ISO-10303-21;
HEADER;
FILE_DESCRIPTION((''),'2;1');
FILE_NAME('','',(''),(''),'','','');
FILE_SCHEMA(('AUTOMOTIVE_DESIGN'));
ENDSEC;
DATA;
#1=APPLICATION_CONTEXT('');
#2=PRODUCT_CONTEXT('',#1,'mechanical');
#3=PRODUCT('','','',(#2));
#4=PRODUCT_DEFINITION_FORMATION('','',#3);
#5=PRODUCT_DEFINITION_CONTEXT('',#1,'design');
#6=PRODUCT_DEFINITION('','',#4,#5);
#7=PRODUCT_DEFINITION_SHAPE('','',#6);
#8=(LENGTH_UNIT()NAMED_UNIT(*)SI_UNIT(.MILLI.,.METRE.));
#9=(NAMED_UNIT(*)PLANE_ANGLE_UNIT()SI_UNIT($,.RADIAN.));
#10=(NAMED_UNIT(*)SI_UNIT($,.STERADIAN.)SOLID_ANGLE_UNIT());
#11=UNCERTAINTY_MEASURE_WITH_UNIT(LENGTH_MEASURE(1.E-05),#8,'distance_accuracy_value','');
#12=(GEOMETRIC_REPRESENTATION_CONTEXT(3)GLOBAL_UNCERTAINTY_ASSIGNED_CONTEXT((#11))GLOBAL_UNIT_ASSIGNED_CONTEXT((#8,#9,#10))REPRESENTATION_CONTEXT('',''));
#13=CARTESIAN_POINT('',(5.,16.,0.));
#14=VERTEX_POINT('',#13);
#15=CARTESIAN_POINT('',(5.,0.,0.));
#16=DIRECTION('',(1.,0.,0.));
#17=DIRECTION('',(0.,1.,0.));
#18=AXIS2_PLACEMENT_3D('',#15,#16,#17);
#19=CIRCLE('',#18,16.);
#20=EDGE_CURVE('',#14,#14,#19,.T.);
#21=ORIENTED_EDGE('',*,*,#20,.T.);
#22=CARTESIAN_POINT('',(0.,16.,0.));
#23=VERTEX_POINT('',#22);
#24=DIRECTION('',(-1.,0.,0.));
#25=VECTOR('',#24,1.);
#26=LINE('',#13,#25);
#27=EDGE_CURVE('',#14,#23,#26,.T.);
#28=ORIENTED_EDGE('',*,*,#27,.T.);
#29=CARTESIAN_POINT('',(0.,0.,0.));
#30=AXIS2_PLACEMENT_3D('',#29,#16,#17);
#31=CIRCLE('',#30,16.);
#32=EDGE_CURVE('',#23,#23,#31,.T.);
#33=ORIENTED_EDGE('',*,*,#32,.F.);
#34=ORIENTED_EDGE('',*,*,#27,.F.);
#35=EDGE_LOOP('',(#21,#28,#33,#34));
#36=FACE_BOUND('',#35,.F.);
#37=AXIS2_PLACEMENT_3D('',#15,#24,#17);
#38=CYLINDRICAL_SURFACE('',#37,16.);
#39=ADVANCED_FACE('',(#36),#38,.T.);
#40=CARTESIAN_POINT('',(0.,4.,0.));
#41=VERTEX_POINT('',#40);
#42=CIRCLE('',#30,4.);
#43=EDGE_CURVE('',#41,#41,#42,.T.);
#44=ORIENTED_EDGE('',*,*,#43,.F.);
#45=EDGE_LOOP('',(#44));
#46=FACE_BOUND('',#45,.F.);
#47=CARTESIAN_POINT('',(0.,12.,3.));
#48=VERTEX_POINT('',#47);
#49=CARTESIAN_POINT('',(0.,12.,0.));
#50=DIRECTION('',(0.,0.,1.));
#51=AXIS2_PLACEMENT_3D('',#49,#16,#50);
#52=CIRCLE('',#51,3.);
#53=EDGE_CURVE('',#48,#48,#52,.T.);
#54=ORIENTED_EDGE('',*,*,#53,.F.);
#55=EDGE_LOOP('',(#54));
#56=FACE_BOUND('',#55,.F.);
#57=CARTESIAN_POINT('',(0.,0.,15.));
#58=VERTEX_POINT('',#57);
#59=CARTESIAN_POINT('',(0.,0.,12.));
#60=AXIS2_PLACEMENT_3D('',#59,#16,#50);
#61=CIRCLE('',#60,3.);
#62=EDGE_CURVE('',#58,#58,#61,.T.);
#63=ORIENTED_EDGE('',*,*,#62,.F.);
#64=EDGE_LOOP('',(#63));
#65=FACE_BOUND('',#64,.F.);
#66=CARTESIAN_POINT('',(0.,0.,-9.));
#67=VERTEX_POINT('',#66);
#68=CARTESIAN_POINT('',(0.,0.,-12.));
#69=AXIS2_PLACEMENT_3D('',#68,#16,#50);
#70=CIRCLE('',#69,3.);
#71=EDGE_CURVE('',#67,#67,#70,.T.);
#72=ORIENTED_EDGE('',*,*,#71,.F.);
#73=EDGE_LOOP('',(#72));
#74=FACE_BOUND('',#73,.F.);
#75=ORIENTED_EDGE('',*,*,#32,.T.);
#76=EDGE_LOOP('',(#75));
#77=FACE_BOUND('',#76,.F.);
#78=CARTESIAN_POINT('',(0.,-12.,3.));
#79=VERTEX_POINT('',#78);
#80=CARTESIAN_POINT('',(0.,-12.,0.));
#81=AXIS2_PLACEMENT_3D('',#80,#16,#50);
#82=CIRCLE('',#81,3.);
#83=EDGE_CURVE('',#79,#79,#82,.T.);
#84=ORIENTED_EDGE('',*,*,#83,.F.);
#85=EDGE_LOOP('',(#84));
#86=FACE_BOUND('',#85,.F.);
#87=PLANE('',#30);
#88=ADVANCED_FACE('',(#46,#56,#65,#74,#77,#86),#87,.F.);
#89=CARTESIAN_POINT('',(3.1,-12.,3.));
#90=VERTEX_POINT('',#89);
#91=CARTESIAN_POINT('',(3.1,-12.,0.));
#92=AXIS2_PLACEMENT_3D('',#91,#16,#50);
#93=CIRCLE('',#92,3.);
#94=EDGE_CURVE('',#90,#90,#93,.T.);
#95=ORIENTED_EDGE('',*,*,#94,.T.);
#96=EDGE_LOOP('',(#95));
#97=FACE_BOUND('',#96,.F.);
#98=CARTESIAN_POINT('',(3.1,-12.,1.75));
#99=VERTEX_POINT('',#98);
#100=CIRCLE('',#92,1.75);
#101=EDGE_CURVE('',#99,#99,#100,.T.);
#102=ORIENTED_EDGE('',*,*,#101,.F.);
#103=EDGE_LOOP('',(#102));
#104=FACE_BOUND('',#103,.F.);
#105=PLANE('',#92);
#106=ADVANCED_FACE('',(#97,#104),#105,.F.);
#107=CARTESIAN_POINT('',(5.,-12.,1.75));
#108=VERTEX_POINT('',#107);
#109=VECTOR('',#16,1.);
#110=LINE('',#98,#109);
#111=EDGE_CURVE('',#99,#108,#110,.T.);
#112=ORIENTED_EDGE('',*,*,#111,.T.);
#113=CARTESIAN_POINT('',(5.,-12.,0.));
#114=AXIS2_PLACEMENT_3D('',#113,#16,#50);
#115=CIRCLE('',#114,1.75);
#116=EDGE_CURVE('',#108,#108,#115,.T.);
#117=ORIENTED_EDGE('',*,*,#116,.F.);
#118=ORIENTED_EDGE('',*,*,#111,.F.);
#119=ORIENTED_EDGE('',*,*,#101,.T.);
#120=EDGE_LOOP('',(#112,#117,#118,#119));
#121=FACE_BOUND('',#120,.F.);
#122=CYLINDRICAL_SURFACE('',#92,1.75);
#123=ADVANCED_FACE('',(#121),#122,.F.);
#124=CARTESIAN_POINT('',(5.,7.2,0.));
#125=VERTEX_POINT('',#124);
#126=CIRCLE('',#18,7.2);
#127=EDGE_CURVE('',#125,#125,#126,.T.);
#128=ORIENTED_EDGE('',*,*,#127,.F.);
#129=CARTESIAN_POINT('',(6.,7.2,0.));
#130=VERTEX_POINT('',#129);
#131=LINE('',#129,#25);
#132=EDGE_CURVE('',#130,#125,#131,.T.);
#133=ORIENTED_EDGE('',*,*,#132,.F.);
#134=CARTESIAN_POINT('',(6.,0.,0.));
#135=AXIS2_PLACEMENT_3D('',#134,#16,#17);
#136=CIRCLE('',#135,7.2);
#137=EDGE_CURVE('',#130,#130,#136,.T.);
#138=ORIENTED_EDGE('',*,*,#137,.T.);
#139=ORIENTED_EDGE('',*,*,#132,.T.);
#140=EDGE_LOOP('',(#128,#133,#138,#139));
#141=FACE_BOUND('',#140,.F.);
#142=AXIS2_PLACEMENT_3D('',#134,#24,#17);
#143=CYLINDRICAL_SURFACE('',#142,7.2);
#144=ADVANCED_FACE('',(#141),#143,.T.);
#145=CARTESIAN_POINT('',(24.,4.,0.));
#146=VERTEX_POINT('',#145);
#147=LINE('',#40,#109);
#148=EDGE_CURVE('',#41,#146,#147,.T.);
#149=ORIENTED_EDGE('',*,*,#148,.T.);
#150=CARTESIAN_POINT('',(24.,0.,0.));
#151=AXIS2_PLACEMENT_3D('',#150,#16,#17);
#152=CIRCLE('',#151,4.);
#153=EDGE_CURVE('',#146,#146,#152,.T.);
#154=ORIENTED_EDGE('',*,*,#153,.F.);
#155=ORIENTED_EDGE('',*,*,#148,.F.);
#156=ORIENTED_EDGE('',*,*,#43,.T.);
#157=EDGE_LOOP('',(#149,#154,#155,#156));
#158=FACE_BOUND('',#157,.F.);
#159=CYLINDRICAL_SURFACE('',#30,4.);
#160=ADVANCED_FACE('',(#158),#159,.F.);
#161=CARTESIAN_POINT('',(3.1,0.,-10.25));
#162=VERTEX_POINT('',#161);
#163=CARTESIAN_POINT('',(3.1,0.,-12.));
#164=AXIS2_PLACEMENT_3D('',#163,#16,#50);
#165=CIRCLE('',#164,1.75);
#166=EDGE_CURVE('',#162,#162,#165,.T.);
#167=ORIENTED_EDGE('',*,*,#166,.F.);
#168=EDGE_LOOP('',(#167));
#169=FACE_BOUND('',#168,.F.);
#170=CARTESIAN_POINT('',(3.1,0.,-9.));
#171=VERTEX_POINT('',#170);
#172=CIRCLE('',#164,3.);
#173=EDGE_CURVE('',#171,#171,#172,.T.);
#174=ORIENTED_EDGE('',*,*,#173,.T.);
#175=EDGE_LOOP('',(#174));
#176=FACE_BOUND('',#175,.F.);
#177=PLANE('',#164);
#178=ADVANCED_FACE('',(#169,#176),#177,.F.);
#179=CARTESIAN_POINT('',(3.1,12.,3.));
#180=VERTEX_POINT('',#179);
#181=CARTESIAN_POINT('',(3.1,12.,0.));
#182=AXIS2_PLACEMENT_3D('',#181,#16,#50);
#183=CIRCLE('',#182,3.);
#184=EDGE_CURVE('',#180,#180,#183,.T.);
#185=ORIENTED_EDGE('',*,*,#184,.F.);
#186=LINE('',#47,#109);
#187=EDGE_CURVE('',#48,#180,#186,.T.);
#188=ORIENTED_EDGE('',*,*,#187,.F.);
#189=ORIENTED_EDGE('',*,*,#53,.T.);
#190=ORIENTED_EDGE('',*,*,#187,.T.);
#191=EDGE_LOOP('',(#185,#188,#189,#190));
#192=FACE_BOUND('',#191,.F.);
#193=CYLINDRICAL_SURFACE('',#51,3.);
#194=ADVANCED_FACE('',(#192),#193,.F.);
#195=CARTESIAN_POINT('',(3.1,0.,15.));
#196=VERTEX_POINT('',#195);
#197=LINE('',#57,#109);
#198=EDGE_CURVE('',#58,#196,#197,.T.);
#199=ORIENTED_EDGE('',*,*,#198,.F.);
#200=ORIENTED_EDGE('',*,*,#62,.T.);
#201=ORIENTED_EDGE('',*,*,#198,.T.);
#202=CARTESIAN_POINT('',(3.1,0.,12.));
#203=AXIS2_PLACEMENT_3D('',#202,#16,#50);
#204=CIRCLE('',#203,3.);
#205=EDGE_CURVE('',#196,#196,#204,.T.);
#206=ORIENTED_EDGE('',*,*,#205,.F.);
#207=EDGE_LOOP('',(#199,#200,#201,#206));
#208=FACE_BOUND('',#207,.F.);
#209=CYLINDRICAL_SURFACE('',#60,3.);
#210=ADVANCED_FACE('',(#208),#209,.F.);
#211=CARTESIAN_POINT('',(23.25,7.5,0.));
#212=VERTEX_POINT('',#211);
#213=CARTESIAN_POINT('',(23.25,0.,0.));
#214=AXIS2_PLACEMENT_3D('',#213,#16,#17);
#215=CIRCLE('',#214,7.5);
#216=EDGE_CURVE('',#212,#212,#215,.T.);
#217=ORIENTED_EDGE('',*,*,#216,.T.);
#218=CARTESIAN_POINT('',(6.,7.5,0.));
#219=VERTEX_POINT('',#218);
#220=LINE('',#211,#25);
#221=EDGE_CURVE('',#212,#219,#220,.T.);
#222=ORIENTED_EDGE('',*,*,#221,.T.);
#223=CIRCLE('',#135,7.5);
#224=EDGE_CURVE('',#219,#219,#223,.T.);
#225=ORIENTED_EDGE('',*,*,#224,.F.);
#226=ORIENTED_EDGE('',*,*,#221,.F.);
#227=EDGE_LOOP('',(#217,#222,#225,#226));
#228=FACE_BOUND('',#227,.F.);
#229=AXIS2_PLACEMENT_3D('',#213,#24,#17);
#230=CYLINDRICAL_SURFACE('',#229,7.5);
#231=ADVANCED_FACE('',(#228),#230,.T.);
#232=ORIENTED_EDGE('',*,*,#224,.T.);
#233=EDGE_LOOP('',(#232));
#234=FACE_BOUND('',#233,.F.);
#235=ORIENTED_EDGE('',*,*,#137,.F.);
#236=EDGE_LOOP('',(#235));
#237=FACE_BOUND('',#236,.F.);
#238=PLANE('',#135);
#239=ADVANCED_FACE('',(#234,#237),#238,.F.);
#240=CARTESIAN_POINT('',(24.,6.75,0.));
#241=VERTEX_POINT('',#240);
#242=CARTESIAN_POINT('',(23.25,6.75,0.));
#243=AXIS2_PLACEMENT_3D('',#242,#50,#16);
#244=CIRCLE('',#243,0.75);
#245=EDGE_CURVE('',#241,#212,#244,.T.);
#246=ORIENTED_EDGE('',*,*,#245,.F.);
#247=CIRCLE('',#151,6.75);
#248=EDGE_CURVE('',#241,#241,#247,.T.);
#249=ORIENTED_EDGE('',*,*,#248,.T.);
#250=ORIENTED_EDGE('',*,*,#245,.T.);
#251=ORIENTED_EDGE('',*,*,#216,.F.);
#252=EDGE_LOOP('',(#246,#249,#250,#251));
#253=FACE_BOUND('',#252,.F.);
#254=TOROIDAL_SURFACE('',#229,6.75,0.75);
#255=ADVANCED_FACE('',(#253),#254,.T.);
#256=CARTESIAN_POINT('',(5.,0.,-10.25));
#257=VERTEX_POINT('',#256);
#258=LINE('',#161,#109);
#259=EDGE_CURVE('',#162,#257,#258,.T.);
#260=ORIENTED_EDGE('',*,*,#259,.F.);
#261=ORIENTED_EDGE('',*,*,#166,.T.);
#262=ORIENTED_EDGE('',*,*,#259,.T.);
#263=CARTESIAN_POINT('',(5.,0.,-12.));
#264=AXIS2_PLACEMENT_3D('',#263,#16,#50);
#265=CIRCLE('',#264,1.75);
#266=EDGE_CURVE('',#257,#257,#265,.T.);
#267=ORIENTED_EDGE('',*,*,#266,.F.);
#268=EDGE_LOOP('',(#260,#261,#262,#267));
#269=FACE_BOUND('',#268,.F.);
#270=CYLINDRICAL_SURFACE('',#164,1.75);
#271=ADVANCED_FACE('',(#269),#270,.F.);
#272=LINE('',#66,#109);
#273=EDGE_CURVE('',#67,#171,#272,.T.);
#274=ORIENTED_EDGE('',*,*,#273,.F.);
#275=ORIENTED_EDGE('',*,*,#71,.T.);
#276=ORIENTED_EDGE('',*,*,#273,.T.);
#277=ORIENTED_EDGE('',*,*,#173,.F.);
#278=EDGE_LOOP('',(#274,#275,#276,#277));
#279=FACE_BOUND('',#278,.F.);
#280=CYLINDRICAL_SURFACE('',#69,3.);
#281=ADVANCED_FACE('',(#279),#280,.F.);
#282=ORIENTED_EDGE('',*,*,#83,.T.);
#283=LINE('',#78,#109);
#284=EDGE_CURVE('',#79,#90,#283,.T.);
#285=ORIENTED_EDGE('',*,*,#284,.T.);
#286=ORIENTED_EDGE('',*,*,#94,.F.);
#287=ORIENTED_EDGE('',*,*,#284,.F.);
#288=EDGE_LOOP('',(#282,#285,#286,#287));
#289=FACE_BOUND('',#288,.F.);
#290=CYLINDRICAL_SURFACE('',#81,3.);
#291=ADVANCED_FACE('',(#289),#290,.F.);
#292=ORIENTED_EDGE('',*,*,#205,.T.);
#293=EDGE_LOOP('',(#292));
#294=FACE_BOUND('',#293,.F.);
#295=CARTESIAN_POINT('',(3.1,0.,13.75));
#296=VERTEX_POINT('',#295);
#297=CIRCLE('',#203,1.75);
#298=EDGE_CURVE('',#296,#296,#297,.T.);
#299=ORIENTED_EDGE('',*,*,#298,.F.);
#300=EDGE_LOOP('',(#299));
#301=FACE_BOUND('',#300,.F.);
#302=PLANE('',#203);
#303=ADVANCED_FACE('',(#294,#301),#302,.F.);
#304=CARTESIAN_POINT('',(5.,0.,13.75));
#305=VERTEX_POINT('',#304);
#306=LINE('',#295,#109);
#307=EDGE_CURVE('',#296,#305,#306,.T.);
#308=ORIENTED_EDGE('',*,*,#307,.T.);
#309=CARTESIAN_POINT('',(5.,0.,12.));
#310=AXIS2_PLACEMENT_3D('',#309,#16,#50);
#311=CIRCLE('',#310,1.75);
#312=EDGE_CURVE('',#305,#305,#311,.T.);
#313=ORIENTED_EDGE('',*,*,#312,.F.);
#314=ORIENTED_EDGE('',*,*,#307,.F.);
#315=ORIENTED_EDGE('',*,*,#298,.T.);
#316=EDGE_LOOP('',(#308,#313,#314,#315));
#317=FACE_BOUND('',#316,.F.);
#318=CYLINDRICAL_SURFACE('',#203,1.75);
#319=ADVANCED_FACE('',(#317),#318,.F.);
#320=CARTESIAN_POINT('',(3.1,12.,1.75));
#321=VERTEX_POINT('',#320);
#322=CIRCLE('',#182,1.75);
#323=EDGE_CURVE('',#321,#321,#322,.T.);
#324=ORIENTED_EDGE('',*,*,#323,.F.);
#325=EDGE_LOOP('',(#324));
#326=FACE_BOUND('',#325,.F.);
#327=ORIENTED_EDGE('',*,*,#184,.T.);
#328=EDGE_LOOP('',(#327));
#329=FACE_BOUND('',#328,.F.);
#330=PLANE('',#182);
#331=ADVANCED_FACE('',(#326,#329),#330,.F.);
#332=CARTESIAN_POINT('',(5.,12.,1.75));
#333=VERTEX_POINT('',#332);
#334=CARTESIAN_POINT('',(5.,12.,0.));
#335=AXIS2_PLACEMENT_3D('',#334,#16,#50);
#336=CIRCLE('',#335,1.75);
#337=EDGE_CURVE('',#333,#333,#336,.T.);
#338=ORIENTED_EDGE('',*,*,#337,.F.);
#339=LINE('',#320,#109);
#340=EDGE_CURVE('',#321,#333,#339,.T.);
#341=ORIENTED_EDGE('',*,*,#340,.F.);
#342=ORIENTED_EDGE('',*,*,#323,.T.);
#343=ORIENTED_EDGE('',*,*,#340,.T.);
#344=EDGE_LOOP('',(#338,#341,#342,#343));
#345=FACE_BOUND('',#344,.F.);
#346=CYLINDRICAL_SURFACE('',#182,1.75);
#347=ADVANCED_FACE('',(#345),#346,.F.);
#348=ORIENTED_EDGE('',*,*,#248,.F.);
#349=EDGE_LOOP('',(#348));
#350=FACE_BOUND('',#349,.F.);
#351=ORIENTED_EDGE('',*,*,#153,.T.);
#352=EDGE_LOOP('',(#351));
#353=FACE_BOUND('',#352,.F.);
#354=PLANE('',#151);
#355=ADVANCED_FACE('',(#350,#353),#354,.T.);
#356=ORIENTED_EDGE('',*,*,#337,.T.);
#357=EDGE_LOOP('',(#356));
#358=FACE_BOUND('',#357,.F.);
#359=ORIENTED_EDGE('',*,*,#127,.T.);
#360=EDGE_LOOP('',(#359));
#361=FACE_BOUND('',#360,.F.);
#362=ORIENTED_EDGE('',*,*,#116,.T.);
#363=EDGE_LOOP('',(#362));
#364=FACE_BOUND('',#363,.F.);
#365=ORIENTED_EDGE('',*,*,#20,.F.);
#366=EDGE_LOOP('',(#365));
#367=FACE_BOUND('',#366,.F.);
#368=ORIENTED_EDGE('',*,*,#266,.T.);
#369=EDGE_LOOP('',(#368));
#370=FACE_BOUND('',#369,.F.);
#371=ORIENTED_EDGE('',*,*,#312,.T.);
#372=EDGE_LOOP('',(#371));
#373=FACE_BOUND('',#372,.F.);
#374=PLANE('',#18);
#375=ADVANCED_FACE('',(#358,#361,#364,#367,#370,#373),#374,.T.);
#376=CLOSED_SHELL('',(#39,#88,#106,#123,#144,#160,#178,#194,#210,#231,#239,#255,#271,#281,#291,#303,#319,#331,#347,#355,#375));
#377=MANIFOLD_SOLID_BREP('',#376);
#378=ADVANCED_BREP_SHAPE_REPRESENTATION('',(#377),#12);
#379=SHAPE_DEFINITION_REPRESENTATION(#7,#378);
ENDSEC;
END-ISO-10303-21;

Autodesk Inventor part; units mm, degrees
sketch "Sketch_1" plane through (0, 0, 0) normal (0, 0, 1) x (1, 0, 0)
  line L0 (24, 0) -> (0, 0)
  line L1 (0, 4) -> (24, 4)
  line L2 (24, 4) -> (24, 6.75)
  arc A0 (24, 6.75) -> (23.25, 7.5) centre (23.25, 6.75) ccw
  line L3 (23.25, 7.5) -> (6, 7.5)
  line L4 (6, 7.5) -> (6, 7.2)
  line L5 (6, 7.2) -> (5, 7.2)
  line L6 (5, 7.2) -> (5, 16)
  line L7 (5, 16) -> (0, 16)
  line L8 (0, 16) -> (0, 4)
revolve "Revolution1" add sketch "Sketch_1" angle 360 about axis through (24, 0, 0) along (1, 0, 0)
sketch "Sketch2" plane through (0, 0, 0) normal (-1, 0, 0) x (0, 0, 1)
  point P0 (0, 12)
hole "Hole1" at (0, 12, 0) direction (1, 0, 0) diameter 3.5 depth 5 counterbore diameter 6 counterbore depth 3.1
sketch "Sketch3" plane through (0, 0, 0) normal (-1, 0, 0) x (0, 0, 1)
  point P0 (0, -12)
hole "Hole2" at (0, -12, 0) direction (1, 0, 0) diameter 3.5 depth 5 counterbore diameter 6 counterbore depth 3.1
sketch "Sketch4" plane through (0, 0, 0) normal (-1, 0, 0) x (0, 0, 1)
  point P0 (-12, 0)
hole "Hole3" at (0, 0, -12) direction (1, 0, 0) diameter 3.5 depth 5 counterbore diameter 6 counterbore depth 3.1
sketch "Sketch5" plane through (0, 0, 0) normal (-1, 0, 0) x (0, 0, 1)
  point P0 (12, 0)
hole "Hole4" at (0, 0, 12) direction (1, 0, 0) diameter 3.5 depth 5 counterbore diameter 6 counterbore depth 3.1
ref_plane "Combination_Module_XY" through (0, 0, 0) normal (1, 0, 0) x (0, 0, -1)
ref_plane "Combination_Module_YZ" through (0, 0, 0) normal (0, 0, -1) x (0, 1, 0)
ref_plane "Combination_Module_ZX" through (0, 0, 0) normal (0, 1, 0) x (1, 0, 0)
properties part number "LHFR-N8" material "鉄、鋳鉄"
